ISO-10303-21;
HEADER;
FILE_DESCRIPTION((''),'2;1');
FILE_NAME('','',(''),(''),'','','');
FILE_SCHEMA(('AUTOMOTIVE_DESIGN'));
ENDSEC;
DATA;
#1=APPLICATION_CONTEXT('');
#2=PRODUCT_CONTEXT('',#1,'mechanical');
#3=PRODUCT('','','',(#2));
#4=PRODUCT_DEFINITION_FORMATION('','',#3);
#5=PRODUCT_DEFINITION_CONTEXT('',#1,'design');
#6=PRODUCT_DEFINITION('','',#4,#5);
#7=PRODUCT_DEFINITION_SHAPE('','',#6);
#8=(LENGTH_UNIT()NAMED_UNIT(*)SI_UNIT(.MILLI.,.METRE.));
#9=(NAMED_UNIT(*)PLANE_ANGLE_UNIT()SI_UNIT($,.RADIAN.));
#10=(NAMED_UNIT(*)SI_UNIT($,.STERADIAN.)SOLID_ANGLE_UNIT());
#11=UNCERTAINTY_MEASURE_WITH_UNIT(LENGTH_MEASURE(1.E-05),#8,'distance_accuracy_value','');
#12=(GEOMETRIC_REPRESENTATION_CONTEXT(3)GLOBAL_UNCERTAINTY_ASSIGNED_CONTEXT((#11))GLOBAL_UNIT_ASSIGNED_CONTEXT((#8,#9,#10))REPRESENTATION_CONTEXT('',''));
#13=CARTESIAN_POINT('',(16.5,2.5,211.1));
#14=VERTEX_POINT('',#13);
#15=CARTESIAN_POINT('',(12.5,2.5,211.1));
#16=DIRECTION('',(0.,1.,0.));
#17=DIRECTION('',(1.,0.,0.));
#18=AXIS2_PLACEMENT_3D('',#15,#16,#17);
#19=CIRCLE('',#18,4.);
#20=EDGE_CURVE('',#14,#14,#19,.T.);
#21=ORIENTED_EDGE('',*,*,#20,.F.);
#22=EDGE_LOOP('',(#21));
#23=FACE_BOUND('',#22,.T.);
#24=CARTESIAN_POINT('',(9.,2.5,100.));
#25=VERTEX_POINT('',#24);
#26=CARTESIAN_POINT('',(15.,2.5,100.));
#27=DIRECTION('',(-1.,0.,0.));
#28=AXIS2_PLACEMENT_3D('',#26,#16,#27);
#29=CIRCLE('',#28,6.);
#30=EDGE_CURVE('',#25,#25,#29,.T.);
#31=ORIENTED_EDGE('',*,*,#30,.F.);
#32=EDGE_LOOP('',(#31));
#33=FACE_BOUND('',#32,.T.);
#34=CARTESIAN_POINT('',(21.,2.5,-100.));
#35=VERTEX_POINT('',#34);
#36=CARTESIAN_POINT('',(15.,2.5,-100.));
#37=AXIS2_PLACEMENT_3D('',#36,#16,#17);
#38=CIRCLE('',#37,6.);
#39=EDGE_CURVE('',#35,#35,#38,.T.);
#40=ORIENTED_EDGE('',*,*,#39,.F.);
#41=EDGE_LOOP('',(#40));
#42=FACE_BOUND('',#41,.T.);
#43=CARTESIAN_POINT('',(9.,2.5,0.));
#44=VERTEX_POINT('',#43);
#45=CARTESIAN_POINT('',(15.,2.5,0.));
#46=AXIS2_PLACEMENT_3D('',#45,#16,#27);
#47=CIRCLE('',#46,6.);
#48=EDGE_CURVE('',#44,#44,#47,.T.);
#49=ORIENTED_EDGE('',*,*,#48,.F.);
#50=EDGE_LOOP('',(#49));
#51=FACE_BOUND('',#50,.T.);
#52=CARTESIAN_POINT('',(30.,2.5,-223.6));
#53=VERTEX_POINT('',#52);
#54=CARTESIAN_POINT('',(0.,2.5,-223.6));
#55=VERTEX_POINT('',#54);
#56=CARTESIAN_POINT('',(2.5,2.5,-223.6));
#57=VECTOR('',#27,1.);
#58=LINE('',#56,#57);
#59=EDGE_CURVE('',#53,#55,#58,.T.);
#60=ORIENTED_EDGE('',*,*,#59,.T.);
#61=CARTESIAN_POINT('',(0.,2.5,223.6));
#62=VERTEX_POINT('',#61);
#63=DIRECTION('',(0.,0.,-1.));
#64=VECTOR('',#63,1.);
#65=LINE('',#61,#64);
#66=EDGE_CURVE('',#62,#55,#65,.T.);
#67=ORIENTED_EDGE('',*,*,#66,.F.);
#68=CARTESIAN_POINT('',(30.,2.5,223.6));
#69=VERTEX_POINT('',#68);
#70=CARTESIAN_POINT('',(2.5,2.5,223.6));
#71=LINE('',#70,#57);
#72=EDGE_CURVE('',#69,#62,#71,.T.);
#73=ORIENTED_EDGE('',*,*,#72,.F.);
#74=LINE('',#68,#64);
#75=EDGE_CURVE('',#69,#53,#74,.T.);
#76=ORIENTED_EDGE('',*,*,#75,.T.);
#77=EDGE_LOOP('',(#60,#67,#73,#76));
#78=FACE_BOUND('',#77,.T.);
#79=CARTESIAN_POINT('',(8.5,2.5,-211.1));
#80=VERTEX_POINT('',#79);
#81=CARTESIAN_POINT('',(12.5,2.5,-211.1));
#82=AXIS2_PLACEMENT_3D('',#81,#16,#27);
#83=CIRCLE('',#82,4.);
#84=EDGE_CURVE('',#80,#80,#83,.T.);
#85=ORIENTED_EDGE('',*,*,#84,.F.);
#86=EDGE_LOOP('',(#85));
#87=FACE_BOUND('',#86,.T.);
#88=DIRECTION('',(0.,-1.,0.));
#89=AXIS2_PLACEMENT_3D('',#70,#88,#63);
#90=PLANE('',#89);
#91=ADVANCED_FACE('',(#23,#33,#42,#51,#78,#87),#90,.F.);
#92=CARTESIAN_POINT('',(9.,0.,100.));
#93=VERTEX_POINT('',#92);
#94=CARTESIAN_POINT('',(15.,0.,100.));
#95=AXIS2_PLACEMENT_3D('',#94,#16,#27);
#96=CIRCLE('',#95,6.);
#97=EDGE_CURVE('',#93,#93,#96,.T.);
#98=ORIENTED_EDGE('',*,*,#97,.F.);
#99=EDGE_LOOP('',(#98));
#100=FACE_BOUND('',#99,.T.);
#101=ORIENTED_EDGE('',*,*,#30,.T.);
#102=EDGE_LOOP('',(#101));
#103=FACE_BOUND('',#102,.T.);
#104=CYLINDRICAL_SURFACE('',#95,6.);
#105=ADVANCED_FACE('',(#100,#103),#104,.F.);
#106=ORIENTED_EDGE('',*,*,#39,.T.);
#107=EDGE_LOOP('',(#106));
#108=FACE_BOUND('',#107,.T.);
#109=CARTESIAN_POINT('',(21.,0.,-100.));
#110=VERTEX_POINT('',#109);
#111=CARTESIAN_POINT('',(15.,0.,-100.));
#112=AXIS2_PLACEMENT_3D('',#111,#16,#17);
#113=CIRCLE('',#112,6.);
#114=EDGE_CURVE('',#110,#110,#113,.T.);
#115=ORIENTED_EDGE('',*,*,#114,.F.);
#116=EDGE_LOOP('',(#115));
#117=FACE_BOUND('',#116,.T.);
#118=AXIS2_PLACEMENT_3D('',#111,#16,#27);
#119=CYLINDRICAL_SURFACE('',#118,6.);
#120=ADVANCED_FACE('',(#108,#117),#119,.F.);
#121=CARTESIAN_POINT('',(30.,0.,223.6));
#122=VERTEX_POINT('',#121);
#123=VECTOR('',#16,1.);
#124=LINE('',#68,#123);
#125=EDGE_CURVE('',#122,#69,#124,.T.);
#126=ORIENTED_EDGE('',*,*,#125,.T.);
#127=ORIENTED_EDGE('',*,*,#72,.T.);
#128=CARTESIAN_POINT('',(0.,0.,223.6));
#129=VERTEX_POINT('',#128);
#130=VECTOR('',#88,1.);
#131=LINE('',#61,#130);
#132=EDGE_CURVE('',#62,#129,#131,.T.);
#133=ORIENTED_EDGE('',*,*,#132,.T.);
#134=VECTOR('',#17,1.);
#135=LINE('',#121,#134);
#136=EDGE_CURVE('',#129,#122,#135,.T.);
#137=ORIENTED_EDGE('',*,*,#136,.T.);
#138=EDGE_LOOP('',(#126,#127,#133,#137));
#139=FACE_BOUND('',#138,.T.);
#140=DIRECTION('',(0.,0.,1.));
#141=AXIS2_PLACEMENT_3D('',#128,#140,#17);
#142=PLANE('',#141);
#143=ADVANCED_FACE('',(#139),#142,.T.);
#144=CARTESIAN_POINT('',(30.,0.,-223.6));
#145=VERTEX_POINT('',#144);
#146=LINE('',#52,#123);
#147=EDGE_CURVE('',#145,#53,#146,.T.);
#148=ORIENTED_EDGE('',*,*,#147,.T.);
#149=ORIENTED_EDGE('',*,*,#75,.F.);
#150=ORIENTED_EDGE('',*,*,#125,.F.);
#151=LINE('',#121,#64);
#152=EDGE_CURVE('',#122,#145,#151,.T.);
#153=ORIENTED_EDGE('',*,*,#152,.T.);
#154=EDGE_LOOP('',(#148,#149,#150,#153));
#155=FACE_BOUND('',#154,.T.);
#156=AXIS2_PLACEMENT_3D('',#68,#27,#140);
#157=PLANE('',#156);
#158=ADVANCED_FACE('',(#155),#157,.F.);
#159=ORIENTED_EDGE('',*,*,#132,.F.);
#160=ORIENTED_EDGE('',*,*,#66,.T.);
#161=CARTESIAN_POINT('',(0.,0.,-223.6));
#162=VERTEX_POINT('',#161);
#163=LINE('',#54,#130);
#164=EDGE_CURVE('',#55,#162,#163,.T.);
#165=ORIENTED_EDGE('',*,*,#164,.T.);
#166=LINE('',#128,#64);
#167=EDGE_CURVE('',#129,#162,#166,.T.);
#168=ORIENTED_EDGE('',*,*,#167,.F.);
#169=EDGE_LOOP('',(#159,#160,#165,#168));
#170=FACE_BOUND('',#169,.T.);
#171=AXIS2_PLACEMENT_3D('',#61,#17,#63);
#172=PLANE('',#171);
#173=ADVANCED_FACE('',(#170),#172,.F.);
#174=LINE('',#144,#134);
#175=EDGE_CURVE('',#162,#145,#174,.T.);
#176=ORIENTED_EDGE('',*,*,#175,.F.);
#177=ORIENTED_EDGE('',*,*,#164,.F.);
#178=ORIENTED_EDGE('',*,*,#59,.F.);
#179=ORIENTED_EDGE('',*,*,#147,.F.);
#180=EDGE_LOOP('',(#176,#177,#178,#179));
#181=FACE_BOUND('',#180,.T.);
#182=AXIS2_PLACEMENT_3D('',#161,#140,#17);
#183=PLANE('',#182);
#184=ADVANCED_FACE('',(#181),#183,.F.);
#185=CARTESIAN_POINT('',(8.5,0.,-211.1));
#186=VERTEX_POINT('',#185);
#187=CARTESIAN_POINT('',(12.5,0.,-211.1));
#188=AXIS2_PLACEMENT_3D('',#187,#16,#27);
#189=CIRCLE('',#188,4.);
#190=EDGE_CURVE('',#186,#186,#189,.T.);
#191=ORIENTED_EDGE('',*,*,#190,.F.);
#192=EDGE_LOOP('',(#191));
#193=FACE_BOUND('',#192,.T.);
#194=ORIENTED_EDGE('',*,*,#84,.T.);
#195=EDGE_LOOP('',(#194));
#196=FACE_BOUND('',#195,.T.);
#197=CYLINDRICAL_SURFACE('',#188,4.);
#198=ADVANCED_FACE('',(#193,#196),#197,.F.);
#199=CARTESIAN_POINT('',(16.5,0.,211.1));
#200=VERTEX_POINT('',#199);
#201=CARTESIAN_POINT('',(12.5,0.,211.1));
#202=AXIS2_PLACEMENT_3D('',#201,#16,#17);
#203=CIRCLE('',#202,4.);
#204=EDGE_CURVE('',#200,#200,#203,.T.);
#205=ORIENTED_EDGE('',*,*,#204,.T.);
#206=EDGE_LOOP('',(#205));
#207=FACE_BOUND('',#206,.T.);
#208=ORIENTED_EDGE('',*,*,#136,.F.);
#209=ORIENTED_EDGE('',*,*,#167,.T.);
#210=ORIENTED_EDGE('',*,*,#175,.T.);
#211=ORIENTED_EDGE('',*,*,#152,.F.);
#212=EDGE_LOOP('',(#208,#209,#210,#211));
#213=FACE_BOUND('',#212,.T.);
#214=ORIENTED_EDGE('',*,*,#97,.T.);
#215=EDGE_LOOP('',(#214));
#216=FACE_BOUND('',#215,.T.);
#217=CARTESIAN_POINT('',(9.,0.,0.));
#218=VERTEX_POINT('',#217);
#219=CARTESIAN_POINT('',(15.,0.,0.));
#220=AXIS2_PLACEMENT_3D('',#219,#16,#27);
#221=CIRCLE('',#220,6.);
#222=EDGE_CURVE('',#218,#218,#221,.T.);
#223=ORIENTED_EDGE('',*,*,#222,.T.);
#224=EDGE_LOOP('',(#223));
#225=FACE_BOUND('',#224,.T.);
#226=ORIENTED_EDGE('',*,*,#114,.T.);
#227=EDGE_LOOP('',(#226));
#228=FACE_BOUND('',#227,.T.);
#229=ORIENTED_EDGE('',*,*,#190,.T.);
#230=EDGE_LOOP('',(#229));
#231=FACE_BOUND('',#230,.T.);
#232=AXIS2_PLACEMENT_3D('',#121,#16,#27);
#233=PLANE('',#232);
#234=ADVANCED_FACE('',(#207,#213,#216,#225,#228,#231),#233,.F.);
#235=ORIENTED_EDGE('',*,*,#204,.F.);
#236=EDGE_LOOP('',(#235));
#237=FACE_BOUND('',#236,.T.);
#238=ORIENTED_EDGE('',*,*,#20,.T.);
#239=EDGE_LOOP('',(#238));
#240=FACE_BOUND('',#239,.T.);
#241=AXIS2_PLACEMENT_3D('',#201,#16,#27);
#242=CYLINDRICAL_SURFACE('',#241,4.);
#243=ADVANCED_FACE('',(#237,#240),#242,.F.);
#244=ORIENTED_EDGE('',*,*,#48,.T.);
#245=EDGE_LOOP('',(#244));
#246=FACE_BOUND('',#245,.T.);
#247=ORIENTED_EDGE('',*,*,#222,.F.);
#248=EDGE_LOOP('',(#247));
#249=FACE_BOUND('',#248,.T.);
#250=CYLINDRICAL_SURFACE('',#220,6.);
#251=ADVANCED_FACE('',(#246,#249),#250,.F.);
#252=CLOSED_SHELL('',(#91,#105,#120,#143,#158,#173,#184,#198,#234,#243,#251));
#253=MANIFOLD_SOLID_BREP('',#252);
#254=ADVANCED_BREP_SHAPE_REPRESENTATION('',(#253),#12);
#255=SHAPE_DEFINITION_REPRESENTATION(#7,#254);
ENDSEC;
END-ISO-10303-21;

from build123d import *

# Parameters (mm, degrees)
BOSS_EXTRUDE1_DEPTH = 223.6
SKETCH2_R           = 4
SKETCH2_R_2         = 6
CUT_EXTRUDE1_DEPTH  = 226.617397379


with BuildPart() as part:
    # Sketch1 → Boss-Extrude1 (new, symmetric)
    with BuildSketch(Plane.XY):
        Polygon((2.5, 2.5), (0, 2.5), (0, 0), (30, 0), (30, 2.5), align=None)
    extrude(amount=BOSS_EXTRUDE1_DEPTH, both=True)

    # Sketch2 → Cut-Extrude1 (cut, through all)
    with BuildSketch(Plane(origin=(0, 2.5, 0), x_dir=(1, 0, 0), z_dir=(0, 1, 0))):
        with Locations(Location((12.5, 211.1, 0), (0, 0, 180))):
            Circle(SKETCH2_R)
        with Locations((12.5, -211.1)):
            Circle(SKETCH2_R)
        with Locations(Location((15, -100, 0), (0, 0, 180))):
            Circle(SKETCH2_R_2)
        with Locations((15, 100)):
            Circle(SKETCH2_R_2)
        with Locations(Location((15, 0, 0), (0, 0, 180))):
            Circle(SKETCH2_R_2)
    extrude(amount=-CUT_EXTRUDE1_DEPTH, mode=Mode.SUBTRACT)


solid = part.part
